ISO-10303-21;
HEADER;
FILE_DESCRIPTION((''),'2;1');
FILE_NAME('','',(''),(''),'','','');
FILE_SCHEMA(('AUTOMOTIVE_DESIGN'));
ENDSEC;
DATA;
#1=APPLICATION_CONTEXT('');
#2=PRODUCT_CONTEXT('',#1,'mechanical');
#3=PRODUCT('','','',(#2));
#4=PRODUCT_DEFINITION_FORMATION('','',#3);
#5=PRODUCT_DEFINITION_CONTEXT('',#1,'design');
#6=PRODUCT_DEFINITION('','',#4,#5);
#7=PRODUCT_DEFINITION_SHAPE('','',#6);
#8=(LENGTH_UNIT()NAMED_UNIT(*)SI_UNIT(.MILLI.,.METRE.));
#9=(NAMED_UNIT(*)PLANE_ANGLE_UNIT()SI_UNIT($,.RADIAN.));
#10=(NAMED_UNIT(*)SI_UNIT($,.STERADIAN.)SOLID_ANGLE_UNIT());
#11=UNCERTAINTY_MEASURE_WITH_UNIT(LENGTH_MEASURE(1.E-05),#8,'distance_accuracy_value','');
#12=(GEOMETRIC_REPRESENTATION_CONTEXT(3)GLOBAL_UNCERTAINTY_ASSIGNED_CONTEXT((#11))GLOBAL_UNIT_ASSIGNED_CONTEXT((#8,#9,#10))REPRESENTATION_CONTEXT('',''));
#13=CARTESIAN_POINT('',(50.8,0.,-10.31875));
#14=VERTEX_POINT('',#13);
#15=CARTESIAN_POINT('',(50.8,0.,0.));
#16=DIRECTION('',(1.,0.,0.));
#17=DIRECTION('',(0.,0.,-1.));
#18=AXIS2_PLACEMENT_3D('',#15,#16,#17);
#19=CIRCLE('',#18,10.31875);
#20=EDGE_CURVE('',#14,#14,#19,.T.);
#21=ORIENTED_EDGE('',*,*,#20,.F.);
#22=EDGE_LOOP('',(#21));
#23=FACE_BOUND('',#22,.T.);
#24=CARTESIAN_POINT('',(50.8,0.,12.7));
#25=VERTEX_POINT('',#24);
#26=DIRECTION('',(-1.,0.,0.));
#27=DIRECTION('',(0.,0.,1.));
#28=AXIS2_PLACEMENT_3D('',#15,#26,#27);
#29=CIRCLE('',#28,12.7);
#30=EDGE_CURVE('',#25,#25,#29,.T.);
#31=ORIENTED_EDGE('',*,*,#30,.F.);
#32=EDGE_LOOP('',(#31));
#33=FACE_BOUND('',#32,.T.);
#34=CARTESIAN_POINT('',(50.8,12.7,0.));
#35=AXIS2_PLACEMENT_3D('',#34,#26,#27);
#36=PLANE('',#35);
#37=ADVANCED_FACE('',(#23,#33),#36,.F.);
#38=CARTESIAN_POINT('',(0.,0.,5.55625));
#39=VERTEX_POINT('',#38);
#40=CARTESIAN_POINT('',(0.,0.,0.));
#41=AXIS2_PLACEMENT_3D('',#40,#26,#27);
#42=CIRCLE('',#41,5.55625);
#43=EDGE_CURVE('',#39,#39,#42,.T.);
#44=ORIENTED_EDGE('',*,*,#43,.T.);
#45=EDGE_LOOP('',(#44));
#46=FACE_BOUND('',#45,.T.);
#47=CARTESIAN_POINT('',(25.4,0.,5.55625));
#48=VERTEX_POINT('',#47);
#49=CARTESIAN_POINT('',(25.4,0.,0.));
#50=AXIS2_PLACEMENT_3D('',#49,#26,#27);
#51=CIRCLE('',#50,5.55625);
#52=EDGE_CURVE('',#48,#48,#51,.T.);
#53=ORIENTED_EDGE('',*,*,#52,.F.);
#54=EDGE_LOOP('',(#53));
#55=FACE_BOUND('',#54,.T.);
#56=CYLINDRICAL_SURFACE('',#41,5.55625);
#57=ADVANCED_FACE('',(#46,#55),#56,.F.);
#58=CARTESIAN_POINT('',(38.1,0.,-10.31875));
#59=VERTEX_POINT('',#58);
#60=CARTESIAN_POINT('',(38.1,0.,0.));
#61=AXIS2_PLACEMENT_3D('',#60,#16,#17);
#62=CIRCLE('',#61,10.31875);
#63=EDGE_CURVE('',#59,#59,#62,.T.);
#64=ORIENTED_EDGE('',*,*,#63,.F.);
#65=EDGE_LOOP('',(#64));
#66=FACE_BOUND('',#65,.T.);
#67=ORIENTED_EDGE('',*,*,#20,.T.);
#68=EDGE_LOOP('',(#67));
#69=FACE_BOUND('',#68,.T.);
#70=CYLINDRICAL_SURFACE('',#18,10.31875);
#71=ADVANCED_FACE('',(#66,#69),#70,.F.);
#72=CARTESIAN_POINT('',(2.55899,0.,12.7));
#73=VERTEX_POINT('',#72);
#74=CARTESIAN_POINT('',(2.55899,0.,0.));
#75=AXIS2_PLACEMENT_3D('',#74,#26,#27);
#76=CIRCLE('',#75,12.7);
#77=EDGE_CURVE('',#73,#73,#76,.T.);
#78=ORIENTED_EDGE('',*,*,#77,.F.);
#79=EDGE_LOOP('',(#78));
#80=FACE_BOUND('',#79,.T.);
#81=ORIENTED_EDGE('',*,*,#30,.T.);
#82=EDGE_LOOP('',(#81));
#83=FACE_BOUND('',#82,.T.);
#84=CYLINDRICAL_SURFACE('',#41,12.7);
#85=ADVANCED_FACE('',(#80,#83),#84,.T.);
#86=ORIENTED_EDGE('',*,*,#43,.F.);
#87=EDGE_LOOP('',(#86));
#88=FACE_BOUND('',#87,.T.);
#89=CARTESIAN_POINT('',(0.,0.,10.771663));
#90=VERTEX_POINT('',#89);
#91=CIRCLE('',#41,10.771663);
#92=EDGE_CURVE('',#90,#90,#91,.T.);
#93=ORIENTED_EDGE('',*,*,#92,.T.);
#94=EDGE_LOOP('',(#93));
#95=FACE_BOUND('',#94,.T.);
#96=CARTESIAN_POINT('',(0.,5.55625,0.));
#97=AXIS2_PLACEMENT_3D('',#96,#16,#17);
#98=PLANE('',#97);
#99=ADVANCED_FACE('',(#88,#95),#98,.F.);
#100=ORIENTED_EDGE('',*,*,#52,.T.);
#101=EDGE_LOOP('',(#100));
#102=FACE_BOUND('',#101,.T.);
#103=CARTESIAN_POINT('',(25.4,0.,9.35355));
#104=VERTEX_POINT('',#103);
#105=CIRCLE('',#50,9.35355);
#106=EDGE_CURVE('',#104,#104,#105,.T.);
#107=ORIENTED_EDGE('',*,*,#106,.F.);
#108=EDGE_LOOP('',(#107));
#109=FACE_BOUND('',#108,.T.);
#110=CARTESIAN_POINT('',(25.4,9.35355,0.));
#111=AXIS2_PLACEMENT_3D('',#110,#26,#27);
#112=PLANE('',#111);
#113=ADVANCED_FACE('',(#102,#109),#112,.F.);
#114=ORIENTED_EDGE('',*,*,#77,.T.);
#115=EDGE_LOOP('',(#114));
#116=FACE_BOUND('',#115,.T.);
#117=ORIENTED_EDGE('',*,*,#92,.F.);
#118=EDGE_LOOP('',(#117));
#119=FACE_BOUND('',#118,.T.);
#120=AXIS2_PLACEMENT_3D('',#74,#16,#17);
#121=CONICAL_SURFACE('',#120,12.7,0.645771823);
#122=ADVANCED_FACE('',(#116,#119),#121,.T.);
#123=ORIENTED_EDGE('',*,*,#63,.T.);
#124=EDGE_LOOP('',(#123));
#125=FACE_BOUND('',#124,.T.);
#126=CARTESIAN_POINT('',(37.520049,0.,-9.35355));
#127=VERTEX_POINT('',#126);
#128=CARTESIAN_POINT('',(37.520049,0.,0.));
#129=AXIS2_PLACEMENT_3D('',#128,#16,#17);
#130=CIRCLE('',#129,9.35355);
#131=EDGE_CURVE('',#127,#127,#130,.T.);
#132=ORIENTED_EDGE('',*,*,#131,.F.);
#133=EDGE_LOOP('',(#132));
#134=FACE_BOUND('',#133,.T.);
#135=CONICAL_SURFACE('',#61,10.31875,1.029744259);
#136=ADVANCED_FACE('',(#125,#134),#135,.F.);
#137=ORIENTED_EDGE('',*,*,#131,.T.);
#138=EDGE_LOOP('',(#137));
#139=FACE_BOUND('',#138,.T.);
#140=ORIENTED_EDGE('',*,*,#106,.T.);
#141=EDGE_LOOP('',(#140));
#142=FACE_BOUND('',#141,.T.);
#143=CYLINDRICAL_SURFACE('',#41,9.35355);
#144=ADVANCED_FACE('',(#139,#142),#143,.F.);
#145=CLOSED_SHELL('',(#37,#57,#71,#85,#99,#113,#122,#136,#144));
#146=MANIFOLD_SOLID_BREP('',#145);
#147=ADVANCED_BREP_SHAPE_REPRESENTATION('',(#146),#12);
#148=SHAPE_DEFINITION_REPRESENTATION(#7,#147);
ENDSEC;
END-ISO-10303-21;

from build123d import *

# Parameters (mm, degrees)
F_7_8_14_TAPPED_HOLE1_D     = 20.6375
F_7_8_14_TAPPED_HOLE1_DEPTH = 12.7
F_7_8_14_TAPPED_HOLE1_TIP   = 6.200130513


with BuildPart() as part:
    # Sketch2 → Revolve1 (revolve)
    with BuildSketch(Plane.XY, mode=Mode.PRIVATE) as revolve1_sk:
        Polygon((0, 10.771663062), (2.558989547, 12.7), (50.8, 12.7), (50.8, 9.35355), (25.4, 9.35355), (25.4, 5.55625), (0, 5.55625), align=None)
    revolve(revolve1_sk.sketch.rotate(Axis((0, 0, 0), (1, 0, 0)), 90), axis=Axis((0, 0, 0), (1, 0, 0)))

    # 7/8-14 Tapped Hole1
    with Locations(Plane(origin=(50.8, 0, 0), x_dir=(0, 0, -1), z_dir=(1, 0, 0))):
        with Locations((0, 0)):
            Hole(F_7_8_14_TAPPED_HOLE1_D / 2, depth=F_7_8_14_TAPPED_HOLE1_DEPTH)
            with Locations((0, 0, -(F_7_8_14_TAPPED_HOLE1_DEPTH + F_7_8_14_TAPPED_HOLE1_TIP / 2))):  # 118° drill point
                Cone(0, F_7_8_14_TAPPED_HOLE1_D / 2, F_7_8_14_TAPPED_HOLE1_TIP, mode=Mode.SUBTRACT)


solid = part.part
